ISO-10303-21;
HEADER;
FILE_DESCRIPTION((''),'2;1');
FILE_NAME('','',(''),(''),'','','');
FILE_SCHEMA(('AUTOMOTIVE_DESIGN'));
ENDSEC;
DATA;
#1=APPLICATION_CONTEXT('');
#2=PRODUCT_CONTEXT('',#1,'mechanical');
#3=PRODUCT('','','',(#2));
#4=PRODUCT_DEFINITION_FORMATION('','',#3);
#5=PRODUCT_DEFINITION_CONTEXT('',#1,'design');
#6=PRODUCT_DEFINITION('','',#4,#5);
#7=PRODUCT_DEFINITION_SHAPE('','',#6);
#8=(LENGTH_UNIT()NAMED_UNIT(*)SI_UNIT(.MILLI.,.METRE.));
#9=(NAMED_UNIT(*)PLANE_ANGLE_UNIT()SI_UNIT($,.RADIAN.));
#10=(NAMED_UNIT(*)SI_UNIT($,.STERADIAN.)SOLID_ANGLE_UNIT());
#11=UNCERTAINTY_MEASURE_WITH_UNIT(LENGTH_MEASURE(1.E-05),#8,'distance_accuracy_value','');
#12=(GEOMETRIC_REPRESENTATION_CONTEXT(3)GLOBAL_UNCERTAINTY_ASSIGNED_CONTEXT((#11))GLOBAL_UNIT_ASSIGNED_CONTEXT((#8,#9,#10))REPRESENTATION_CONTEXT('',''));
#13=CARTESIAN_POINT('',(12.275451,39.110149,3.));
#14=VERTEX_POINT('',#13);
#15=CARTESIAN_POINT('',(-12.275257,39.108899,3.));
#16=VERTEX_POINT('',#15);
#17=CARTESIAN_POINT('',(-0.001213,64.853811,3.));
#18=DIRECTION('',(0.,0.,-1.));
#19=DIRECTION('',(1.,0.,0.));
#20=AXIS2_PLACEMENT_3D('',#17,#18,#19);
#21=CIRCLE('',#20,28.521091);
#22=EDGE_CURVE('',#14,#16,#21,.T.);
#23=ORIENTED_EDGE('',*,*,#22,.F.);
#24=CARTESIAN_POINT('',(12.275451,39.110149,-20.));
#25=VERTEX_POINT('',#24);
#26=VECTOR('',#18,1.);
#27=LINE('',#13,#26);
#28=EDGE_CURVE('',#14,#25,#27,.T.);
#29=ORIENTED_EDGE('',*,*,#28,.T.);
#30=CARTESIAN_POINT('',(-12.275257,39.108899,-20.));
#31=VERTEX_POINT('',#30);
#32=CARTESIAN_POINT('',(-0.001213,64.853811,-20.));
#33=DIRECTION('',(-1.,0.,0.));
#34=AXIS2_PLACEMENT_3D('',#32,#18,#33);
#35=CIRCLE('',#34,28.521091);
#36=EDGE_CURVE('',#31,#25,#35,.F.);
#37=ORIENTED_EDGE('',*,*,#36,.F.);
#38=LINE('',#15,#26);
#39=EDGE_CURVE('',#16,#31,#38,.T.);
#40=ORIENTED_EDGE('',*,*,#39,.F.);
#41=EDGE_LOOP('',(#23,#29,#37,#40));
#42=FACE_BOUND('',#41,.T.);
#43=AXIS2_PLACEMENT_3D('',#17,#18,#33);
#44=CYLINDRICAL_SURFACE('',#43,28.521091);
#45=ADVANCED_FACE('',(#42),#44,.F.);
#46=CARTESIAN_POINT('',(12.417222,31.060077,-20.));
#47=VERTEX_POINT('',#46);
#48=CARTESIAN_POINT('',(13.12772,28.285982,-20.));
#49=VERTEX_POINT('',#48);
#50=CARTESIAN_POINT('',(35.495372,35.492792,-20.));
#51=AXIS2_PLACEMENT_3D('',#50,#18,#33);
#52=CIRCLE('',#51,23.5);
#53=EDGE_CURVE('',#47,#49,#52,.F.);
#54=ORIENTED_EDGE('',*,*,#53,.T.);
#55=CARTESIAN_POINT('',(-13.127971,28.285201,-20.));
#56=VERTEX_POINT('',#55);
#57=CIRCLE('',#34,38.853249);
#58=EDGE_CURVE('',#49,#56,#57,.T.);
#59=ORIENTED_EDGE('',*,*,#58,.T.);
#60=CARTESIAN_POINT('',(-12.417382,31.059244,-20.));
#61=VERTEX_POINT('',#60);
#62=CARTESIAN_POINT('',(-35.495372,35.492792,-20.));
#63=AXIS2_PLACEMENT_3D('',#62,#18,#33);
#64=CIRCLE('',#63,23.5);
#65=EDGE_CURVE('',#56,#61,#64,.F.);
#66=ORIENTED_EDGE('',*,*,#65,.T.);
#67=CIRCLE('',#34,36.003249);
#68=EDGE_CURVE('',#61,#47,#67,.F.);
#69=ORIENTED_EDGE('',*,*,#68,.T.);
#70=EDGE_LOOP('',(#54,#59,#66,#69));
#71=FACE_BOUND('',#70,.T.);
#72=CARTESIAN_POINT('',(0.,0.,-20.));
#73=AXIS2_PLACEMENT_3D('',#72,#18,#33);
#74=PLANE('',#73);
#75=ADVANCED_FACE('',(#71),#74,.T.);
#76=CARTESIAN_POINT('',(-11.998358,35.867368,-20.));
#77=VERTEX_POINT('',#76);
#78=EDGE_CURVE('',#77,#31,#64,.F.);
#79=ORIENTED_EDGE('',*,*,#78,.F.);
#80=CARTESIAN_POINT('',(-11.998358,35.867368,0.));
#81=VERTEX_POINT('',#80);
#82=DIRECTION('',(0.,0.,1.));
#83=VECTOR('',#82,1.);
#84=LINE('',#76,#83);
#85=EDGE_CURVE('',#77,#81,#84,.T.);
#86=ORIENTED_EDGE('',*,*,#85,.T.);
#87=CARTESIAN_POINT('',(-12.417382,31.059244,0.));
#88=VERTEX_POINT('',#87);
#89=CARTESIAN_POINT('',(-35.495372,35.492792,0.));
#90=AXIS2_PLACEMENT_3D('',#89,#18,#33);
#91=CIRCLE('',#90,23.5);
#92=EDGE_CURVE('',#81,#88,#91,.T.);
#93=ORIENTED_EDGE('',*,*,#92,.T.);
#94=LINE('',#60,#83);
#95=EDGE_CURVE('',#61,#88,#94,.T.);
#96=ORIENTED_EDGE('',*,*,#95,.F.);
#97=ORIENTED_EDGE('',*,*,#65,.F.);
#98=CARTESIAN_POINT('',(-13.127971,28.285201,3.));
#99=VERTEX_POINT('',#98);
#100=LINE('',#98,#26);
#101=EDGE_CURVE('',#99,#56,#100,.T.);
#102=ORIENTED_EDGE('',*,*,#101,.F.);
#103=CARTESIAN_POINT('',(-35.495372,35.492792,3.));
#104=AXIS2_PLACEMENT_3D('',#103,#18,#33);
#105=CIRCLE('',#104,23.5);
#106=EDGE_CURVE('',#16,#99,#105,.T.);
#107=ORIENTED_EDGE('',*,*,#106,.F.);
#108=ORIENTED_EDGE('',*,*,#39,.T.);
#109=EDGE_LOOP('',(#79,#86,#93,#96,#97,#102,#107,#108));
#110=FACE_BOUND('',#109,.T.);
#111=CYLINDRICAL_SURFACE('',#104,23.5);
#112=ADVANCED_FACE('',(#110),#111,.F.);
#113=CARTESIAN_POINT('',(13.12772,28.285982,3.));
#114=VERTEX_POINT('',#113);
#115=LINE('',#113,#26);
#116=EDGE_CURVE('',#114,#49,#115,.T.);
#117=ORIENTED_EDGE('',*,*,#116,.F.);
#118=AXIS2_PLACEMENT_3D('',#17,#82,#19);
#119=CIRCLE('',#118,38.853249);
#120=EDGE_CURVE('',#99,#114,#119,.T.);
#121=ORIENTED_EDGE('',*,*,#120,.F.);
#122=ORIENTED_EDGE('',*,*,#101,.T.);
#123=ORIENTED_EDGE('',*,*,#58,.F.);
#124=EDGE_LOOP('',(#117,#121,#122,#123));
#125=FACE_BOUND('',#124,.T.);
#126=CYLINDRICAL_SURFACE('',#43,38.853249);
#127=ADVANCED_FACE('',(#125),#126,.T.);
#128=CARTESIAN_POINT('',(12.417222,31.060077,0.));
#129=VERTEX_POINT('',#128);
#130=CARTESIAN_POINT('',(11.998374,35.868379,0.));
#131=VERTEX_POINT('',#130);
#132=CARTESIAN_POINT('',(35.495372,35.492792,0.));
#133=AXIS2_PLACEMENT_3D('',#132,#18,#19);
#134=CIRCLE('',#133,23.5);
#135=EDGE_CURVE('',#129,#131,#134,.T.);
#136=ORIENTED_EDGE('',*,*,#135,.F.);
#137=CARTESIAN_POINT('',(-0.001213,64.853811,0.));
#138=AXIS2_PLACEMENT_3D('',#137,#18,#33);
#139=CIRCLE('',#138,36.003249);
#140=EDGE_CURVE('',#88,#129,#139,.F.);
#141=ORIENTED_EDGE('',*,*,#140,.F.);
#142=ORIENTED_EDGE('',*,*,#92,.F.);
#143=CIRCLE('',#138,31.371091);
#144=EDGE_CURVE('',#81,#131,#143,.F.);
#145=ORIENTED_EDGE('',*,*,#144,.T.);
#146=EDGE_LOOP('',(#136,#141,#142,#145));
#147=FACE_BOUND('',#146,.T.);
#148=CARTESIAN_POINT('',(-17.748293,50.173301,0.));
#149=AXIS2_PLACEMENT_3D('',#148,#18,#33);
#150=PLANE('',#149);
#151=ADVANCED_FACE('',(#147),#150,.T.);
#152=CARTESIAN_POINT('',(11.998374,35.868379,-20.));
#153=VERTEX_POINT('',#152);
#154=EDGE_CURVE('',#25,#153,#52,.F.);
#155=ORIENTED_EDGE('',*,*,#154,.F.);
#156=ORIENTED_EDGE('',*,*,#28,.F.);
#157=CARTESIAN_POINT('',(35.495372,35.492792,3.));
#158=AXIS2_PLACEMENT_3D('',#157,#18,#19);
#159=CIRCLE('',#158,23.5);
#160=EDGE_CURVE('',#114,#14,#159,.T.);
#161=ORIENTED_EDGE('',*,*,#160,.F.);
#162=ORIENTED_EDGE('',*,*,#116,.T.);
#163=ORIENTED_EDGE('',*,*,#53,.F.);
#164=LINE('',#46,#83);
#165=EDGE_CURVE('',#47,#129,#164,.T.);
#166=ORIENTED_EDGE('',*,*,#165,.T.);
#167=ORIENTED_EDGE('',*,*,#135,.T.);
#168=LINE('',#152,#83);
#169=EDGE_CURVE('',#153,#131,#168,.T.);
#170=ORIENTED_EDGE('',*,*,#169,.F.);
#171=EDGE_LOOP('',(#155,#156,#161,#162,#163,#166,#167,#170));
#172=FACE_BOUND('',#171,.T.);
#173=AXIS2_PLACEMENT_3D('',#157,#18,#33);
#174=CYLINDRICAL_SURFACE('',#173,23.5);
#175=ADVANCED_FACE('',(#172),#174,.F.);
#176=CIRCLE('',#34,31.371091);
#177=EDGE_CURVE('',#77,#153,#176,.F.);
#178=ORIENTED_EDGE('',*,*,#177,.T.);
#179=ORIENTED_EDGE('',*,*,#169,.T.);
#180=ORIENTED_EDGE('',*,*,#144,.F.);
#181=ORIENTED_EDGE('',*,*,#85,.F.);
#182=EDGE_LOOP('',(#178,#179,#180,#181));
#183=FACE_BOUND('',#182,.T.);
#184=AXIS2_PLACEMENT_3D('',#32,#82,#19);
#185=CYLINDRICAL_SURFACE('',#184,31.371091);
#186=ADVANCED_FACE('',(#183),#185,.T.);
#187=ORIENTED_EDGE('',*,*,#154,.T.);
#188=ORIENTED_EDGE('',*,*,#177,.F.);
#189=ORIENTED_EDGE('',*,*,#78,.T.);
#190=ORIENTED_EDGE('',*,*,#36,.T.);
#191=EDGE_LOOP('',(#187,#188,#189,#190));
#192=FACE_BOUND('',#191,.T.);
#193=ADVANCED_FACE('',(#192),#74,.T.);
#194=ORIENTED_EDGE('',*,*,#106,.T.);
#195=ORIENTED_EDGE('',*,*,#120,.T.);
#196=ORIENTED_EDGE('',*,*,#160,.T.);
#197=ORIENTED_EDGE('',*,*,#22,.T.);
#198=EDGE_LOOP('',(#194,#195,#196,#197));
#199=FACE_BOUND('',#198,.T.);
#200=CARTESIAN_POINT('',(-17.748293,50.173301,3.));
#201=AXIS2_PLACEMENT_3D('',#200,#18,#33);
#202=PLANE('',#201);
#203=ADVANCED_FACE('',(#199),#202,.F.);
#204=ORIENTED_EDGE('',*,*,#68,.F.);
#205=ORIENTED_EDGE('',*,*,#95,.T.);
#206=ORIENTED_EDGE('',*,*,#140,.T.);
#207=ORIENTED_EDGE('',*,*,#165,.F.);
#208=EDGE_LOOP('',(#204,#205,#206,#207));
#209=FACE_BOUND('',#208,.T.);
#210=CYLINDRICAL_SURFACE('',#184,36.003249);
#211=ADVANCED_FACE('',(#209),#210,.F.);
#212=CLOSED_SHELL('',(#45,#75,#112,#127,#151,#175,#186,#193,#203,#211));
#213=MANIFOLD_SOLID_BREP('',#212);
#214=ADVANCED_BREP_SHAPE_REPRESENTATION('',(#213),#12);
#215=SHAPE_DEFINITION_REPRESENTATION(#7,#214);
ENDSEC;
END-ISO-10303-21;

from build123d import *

# Parameters (mm, degrees)
BOSS_EXTRUDE1_DEPTH = 3
BOSS_EXTRUDE2_DEPTH = 20


with BuildPart() as part:
    # Sketch1 → Boss-Extrude1 (new body)
    with BuildSketch(Plane.XY):
        with BuildLine():
            ThreePointArc((12.275451386, 39.110148544), (12.067880772, 33.648168724), (13.127719813, 28.28598164))
            ThreePointArc((13.127719813, 28.28598164), (-5.7809e-05, 26.00056132), (-13.127971261, 28.285201272))
            ThreePointArc((-13.127971261, 28.285201272), (-12.06796259, 33.647129894), (-12.275256819, 39.10889939))
            ThreePointArc((-12.275256819, 39.10889939), (0.000238569, 36.332719941), (12.275451386, 39.110148544))
        make_face()
    extrude(amount=BOSS_EXTRUDE1_DEPTH)

    # Sketch2 → Boss-Extrude2 (add)
    with BuildSketch(Plane(origin=(0, 0, 0), x_dir=(-1, 0, 0), z_dir=(0, 0, -1))):
        with BuildLine():
            ThreePointArc((-0.000238569, 33.482719941), (6.116423648, 34.084515432), (11.998357864, 35.867368305))
            ThreePointArc((11.998357864, 35.867368305), (12.080645356, 37.492931332), (12.275256819, 39.10889939))
            ThreePointArc((12.275256819, 39.10889939), (-0.000238569, 36.332719941), (-12.275451386, 39.110148544))
            ThreePointArc((-12.275451386, 39.110148544), (-12.080742195, 37.494064654), (-11.998373995, 35.868378864))
            ThreePointArc((-11.998373995, 35.868378864), (-6.116717522, 34.085055957), (-0.000238569, 33.482719941))
        make_face()
        with BuildLine():
            ThreePointArc((-13.127719813, 28.28598164), (5.7809e-05, 26.00056132), (13.127971261, 28.285201272))
            ThreePointArc((13.127971261, 28.285201272), (12.730383089, 29.661389101), (12.417381714, 31.059244398))
            ThreePointArc((12.417381714, 31.059244398), (5.905e-06, 28.850561321), (-12.417221823, 31.060076762))
            ThreePointArc((-12.417221823, 31.060076762), (-12.730176217, 29.662196758), (-13.127719813, 28.28598164))
        make_face()
    extrude(amount=BOSS_EXTRUDE2_DEPTH)


solid = part.part
